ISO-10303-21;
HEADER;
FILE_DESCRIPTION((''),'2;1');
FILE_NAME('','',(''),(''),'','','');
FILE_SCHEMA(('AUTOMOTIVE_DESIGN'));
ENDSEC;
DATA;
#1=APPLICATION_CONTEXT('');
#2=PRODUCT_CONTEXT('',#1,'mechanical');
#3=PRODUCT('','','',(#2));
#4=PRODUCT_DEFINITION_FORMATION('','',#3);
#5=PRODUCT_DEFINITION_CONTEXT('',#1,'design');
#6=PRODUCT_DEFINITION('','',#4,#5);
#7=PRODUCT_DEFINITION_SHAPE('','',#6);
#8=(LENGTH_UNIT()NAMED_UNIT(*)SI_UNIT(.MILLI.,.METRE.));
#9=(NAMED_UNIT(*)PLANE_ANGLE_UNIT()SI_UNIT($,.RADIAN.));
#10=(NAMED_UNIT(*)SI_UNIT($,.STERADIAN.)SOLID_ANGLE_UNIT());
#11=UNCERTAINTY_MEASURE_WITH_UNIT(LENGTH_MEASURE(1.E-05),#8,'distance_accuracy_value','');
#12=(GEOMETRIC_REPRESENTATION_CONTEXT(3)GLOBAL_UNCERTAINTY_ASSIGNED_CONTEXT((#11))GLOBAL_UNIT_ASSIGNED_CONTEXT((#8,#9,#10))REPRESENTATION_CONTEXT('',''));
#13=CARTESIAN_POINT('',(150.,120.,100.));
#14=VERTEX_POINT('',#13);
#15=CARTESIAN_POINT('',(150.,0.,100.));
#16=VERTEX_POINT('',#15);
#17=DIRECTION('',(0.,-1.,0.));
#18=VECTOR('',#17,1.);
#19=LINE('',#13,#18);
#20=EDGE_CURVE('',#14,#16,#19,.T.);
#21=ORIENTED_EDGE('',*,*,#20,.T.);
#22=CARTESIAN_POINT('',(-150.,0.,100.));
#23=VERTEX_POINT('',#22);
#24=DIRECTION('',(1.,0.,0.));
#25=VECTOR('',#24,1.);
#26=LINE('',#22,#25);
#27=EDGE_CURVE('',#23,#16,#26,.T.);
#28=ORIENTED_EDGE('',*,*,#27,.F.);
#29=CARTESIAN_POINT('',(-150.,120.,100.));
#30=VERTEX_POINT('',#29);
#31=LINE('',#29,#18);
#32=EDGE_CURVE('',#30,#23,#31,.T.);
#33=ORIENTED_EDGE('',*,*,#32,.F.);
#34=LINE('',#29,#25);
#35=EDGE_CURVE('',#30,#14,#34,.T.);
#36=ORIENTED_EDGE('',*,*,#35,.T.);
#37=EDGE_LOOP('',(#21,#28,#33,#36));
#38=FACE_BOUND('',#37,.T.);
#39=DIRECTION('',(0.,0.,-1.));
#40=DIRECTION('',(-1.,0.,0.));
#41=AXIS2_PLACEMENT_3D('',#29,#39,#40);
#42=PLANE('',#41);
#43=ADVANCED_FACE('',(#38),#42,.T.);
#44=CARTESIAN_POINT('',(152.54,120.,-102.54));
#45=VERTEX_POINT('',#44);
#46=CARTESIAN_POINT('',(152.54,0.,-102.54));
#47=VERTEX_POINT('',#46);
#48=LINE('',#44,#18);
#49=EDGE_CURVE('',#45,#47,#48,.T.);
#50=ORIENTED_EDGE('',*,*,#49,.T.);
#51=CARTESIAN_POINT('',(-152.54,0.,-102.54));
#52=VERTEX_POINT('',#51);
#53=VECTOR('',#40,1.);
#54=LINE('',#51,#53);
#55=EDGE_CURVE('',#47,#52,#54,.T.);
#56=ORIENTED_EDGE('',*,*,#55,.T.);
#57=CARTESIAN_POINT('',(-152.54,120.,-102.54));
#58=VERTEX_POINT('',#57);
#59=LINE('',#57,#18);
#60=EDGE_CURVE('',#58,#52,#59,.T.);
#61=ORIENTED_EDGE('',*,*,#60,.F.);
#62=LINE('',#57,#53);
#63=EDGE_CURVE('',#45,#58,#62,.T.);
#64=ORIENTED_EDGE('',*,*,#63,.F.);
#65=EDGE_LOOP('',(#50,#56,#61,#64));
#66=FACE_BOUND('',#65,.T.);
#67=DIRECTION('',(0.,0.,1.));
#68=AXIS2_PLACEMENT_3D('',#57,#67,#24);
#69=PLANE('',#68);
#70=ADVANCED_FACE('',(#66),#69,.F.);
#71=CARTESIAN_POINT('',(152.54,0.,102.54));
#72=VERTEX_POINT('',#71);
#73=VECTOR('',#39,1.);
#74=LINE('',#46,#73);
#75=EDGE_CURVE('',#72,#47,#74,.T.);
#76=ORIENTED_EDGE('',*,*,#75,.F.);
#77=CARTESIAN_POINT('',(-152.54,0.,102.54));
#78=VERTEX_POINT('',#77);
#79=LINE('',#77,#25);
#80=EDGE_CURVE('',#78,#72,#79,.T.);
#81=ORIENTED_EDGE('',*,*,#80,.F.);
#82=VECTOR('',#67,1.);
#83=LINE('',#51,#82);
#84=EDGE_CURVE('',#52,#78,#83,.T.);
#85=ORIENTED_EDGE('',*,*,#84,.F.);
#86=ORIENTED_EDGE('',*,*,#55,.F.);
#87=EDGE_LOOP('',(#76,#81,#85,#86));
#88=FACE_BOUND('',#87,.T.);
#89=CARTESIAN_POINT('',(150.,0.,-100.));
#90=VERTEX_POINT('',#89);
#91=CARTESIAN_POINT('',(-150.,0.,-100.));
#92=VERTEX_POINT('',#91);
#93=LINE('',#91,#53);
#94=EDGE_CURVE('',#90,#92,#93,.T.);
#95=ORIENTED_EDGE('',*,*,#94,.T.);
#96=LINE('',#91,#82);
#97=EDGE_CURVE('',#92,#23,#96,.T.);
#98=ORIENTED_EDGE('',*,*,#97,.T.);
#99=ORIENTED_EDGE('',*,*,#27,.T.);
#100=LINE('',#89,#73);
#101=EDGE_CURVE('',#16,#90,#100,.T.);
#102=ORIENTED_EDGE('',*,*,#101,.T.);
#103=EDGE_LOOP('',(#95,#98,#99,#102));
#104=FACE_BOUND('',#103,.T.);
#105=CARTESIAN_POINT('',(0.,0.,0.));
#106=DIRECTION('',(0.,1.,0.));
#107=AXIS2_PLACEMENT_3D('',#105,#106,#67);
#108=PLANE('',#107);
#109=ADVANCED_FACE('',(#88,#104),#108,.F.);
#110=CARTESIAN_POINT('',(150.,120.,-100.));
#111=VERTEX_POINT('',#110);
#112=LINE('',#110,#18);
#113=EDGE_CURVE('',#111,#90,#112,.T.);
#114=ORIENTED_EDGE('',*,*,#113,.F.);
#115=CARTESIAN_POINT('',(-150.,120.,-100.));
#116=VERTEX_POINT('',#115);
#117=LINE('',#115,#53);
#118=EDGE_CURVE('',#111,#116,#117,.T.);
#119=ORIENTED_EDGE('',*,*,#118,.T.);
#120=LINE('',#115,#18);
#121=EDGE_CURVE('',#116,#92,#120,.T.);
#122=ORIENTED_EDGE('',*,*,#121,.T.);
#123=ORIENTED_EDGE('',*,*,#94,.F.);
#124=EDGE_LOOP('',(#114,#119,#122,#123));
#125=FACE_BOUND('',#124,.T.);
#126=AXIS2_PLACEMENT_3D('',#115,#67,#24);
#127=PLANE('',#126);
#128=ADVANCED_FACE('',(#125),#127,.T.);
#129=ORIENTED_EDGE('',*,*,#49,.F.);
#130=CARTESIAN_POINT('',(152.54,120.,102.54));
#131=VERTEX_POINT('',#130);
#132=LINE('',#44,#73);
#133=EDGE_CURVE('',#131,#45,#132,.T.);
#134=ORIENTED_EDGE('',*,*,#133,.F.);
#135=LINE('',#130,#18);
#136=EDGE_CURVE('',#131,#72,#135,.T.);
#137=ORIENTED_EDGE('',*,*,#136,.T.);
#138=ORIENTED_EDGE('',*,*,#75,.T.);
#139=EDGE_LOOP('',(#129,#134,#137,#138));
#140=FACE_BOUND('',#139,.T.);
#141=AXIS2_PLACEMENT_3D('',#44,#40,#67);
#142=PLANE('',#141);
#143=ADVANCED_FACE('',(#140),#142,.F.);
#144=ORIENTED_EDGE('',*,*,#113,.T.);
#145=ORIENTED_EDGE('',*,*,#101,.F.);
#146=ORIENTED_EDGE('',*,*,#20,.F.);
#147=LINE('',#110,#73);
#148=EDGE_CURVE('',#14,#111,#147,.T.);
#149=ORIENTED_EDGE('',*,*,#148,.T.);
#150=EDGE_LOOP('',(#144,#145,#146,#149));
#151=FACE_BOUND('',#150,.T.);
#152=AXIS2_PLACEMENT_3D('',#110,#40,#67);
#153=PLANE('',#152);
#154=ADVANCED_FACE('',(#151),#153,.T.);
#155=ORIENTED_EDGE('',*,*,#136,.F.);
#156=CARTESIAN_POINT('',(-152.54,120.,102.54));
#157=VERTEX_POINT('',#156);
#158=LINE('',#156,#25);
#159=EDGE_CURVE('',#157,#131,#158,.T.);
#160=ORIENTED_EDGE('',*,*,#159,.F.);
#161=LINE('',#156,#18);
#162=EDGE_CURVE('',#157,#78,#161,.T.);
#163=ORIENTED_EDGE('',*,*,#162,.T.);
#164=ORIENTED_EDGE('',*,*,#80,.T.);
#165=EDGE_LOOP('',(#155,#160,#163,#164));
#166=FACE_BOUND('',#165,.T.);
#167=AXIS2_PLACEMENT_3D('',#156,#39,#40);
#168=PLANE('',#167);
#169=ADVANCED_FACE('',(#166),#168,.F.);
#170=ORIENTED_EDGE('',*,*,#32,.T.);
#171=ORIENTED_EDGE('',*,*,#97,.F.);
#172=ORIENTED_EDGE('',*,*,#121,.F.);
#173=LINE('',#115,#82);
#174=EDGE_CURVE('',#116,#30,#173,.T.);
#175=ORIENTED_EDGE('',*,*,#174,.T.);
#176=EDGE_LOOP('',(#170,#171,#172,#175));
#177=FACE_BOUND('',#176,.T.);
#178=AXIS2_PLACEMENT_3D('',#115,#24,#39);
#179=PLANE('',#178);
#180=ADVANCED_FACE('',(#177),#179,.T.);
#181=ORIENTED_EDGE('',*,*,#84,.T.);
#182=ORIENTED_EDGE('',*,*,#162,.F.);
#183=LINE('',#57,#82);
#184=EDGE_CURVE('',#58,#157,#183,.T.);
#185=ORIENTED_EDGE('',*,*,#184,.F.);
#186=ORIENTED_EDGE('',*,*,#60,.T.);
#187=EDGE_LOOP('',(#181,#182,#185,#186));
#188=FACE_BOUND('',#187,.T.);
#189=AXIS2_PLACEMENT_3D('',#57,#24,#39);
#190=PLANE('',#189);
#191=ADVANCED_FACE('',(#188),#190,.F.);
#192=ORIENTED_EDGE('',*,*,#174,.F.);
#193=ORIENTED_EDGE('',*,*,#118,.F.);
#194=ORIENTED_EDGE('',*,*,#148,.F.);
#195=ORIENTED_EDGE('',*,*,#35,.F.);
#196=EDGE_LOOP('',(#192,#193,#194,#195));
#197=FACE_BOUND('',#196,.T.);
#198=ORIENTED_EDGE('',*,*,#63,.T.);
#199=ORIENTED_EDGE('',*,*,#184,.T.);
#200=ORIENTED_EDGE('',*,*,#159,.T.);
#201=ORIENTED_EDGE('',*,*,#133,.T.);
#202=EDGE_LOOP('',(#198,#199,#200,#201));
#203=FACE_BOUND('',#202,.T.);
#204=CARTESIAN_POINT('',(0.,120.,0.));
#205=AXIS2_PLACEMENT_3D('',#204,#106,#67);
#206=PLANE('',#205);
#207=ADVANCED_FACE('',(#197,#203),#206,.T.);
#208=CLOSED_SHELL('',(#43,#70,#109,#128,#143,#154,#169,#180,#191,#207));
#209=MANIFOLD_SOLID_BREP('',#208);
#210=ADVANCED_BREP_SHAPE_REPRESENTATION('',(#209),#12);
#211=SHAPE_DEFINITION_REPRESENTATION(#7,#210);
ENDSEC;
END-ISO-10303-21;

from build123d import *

# Parameters (mm, degrees)
SKETCH1_W           = 305.08
SKETCH1_H           = 205.08
SKETCH1_W_2         = 300
SKETCH1_H_2         = 200
BOSS_EXTRUDE1_DEPTH = 120


with BuildPart() as part:
    # Sketch1 → Boss-Extrude1 (new body)
    with BuildSketch(Plane(origin=(0, 0, 0), x_dir=(1, 0, 0), z_dir=(0, 1, 0))):
        Rectangle(SKETCH1_W, SKETCH1_H)
        Rectangle(SKETCH1_W_2, SKETCH1_H_2, mode=Mode.SUBTRACT)
    extrude(amount=BOSS_EXTRUDE1_DEPTH)


solid = part.part
